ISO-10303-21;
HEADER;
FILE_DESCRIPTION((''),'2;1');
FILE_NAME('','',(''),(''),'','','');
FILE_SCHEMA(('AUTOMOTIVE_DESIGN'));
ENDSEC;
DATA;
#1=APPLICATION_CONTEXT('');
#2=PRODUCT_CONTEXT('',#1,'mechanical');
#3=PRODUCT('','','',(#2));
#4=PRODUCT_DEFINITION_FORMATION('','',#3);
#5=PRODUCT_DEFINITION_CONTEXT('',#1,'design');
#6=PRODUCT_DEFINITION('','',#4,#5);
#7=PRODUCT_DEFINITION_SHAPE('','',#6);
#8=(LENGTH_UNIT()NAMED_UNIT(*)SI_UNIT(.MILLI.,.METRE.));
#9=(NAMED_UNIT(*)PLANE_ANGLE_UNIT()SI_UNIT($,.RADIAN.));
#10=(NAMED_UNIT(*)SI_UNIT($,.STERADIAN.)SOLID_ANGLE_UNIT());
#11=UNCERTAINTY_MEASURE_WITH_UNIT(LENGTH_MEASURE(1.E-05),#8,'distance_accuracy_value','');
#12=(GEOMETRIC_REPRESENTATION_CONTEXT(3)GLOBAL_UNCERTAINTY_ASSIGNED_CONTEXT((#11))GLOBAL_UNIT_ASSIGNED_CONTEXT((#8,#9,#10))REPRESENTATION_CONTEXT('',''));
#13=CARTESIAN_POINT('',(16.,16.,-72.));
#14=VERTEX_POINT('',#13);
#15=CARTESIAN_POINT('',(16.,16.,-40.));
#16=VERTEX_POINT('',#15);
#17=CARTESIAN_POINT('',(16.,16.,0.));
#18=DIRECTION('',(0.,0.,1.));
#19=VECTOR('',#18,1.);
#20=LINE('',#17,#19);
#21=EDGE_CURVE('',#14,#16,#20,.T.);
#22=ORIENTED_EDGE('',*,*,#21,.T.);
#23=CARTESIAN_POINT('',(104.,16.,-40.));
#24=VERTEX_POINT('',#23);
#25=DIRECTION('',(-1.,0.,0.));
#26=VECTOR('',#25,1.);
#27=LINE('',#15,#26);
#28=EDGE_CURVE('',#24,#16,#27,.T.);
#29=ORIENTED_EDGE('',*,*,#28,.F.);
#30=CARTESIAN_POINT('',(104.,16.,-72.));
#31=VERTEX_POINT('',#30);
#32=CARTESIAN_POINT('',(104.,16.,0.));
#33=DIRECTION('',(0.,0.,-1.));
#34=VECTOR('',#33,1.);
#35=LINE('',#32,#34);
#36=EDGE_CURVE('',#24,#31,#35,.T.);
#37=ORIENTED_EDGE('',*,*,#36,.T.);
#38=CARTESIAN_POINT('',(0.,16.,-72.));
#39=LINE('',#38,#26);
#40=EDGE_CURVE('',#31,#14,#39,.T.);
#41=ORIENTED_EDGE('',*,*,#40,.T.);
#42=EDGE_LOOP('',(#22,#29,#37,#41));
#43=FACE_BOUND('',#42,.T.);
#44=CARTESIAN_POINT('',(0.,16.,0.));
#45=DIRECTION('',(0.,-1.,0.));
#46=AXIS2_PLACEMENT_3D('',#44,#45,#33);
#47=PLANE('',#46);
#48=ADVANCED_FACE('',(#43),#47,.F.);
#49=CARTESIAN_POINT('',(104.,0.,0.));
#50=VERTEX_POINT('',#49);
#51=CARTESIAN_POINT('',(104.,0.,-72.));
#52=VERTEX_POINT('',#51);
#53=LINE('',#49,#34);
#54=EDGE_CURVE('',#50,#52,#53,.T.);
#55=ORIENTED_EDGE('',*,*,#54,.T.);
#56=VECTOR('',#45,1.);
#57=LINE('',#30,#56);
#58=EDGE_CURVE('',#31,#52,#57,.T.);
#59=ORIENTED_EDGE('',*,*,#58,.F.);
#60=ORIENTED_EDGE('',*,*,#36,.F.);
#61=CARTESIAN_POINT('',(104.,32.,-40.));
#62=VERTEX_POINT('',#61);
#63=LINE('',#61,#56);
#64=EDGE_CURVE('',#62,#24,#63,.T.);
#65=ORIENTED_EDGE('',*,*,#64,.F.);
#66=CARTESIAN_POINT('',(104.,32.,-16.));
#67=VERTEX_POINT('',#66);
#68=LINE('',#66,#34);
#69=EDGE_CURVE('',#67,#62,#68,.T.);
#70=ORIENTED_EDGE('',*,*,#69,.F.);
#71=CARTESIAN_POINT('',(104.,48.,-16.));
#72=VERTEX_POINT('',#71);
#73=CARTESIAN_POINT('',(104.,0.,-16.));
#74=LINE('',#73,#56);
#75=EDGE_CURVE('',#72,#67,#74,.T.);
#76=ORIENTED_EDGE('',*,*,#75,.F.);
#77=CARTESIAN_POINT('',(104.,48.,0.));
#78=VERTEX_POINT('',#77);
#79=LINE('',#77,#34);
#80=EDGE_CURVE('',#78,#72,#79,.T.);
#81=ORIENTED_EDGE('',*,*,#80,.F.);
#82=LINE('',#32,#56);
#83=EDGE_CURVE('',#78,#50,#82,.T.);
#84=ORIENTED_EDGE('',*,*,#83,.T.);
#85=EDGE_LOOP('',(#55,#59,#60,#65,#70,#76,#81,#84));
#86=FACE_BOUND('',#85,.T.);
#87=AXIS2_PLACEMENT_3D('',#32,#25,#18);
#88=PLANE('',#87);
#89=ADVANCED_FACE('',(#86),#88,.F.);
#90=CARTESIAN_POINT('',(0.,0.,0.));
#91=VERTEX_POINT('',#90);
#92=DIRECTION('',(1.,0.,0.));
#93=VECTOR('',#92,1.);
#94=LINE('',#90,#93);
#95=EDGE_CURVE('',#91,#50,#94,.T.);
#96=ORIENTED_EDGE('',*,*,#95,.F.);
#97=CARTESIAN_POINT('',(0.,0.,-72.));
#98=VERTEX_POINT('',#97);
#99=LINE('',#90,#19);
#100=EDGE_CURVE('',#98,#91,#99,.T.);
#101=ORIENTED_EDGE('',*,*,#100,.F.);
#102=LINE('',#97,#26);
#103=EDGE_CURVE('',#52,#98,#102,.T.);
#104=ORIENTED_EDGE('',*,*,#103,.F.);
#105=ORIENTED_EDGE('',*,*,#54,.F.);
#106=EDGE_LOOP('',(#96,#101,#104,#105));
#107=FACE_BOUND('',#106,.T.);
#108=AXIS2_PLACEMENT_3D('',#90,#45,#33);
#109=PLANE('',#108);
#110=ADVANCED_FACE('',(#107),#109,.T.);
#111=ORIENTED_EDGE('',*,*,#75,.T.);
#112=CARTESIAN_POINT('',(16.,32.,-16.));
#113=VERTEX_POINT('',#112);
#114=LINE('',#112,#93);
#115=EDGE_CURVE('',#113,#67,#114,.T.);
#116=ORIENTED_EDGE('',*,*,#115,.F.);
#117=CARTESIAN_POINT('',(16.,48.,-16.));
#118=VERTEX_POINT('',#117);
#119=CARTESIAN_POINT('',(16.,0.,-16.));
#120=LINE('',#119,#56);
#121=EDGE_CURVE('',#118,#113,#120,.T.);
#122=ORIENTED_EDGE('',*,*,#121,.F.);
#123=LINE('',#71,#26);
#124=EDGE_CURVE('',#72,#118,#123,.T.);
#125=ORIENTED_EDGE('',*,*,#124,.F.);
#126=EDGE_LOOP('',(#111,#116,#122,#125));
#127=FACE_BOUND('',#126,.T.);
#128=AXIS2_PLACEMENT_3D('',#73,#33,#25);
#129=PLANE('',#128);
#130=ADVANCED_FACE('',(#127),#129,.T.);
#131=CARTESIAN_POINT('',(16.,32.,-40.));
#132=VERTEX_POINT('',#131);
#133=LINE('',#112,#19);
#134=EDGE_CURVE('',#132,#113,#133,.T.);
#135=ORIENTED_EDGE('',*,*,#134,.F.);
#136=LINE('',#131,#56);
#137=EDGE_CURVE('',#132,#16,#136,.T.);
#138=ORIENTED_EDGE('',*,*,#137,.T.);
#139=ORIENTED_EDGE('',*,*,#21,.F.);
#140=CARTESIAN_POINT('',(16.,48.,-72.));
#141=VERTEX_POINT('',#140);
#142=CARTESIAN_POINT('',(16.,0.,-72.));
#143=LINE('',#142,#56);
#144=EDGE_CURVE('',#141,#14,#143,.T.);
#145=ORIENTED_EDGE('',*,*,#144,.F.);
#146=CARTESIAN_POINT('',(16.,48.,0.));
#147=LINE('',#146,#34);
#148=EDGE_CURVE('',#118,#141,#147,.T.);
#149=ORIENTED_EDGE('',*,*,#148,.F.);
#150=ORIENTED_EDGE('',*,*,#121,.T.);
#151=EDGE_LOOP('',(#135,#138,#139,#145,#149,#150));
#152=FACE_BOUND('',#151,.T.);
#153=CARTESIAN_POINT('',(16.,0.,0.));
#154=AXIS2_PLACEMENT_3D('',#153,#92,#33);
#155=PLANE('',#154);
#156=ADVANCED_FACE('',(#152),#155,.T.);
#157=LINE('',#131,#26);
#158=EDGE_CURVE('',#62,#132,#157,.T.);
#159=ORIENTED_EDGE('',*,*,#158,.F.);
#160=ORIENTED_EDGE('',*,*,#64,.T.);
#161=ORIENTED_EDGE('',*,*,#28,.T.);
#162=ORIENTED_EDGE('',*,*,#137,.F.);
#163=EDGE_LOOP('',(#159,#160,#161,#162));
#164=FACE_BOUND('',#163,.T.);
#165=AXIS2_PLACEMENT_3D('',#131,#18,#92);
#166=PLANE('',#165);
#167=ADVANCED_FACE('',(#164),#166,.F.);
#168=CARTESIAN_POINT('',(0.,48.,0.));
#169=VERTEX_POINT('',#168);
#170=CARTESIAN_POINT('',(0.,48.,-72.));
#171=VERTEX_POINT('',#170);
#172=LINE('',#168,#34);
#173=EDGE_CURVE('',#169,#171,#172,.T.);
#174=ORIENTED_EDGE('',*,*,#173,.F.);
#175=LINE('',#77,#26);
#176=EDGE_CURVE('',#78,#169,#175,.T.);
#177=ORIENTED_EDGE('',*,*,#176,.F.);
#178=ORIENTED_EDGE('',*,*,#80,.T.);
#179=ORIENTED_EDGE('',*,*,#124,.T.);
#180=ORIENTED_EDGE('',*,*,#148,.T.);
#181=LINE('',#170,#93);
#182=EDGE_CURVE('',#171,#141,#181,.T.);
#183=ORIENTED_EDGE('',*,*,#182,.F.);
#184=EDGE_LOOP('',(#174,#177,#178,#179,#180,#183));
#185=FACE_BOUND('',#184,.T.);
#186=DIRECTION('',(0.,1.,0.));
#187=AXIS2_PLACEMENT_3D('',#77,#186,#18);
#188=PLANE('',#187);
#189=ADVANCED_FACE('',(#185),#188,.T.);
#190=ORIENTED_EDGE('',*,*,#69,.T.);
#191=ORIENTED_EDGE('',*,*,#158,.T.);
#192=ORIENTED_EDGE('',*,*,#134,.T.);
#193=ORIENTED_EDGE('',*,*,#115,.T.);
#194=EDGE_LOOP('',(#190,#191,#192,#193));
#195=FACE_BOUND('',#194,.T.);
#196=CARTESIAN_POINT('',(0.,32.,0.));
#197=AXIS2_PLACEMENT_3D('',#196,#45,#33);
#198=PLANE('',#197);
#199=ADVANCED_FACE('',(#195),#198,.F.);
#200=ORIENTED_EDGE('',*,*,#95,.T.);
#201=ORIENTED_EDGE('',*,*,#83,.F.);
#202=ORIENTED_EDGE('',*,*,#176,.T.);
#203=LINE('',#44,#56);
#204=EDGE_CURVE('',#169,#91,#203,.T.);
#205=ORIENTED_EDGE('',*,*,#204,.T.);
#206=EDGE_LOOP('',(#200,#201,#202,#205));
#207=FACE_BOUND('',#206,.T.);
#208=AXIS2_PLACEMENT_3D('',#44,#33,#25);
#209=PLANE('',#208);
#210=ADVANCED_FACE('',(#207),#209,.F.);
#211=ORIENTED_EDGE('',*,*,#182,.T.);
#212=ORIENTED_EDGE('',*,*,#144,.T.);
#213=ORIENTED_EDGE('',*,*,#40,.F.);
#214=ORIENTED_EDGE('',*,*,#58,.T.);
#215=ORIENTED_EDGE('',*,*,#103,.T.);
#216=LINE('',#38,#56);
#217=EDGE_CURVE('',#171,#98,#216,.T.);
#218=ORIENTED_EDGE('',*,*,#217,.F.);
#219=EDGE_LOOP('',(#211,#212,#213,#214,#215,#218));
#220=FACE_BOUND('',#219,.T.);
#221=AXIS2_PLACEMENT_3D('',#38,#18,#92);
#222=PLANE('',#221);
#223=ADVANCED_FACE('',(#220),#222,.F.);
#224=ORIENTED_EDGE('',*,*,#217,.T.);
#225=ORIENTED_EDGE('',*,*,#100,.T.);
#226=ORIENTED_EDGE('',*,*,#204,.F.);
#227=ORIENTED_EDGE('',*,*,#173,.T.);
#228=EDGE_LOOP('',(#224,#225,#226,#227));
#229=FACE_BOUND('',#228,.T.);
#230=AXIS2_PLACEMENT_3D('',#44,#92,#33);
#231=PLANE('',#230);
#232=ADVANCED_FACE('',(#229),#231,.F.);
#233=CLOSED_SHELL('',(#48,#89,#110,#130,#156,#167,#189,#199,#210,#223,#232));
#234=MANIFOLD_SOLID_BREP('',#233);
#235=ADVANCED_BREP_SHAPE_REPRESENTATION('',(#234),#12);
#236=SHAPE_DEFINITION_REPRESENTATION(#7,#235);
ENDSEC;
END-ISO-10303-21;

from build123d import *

# Parameters (mm, degrees)
SKETCH1_W           = 104
SKETCH1_H           = 72
BOSS_EXTRUDE1_DEPTH = 16
SKETCH3_W           = 16
SKETCH3_H           = 48
BOSS_EXTRUDE2_DEPTH = 104
SKETCH6_W           = 16
SKETCH6_H           = 48
BOSS_EXTRUDE3_DEPTH = 72
SKETCH7_W           = 88
SKETCH7_H           = 24
BOSS_EXTRUDE4_DEPTH = 16


with BuildPart() as part:
    # Sketch1 → Boss-Extrude1 (new body)
    with BuildSketch(Plane(origin=(0, 0, 0), x_dir=(1, 0, 0), z_dir=(0, 1, 0))):
        with Locations((52, 36)):
            Rectangle(SKETCH1_W, SKETCH1_H)
    extrude(amount=BOSS_EXTRUDE1_DEPTH)

    # Sketch3 → Boss-Extrude2 (add)
    with BuildSketch(Plane.ZY):
        with Locations((-8, 24)):
            Rectangle(SKETCH3_W, SKETCH3_H)
    extrude(amount=-BOSS_EXTRUDE2_DEPTH)

    # Sketch6 → Boss-Extrude3 (add)
    with BuildSketch(Plane(origin=(0, 0, -72), x_dir=(-1, 0, 0), z_dir=(0, 0, -1))):
        with Locations((-8, 24)):
            Rectangle(SKETCH6_W, SKETCH6_H)
    extrude(amount=-BOSS_EXTRUDE3_DEPTH)

    # Sketch7 → Boss-Extrude4 (add)
    with BuildSketch(Plane(origin=(0, 16, 0), x_dir=(1, 0, 0), z_dir=(0, 1, 0))):
        with Locations((60, 28)):
            Rectangle(SKETCH7_W, SKETCH7_H)
    extrude(amount=BOSS_EXTRUDE4_DEPTH)


solid = part.part
